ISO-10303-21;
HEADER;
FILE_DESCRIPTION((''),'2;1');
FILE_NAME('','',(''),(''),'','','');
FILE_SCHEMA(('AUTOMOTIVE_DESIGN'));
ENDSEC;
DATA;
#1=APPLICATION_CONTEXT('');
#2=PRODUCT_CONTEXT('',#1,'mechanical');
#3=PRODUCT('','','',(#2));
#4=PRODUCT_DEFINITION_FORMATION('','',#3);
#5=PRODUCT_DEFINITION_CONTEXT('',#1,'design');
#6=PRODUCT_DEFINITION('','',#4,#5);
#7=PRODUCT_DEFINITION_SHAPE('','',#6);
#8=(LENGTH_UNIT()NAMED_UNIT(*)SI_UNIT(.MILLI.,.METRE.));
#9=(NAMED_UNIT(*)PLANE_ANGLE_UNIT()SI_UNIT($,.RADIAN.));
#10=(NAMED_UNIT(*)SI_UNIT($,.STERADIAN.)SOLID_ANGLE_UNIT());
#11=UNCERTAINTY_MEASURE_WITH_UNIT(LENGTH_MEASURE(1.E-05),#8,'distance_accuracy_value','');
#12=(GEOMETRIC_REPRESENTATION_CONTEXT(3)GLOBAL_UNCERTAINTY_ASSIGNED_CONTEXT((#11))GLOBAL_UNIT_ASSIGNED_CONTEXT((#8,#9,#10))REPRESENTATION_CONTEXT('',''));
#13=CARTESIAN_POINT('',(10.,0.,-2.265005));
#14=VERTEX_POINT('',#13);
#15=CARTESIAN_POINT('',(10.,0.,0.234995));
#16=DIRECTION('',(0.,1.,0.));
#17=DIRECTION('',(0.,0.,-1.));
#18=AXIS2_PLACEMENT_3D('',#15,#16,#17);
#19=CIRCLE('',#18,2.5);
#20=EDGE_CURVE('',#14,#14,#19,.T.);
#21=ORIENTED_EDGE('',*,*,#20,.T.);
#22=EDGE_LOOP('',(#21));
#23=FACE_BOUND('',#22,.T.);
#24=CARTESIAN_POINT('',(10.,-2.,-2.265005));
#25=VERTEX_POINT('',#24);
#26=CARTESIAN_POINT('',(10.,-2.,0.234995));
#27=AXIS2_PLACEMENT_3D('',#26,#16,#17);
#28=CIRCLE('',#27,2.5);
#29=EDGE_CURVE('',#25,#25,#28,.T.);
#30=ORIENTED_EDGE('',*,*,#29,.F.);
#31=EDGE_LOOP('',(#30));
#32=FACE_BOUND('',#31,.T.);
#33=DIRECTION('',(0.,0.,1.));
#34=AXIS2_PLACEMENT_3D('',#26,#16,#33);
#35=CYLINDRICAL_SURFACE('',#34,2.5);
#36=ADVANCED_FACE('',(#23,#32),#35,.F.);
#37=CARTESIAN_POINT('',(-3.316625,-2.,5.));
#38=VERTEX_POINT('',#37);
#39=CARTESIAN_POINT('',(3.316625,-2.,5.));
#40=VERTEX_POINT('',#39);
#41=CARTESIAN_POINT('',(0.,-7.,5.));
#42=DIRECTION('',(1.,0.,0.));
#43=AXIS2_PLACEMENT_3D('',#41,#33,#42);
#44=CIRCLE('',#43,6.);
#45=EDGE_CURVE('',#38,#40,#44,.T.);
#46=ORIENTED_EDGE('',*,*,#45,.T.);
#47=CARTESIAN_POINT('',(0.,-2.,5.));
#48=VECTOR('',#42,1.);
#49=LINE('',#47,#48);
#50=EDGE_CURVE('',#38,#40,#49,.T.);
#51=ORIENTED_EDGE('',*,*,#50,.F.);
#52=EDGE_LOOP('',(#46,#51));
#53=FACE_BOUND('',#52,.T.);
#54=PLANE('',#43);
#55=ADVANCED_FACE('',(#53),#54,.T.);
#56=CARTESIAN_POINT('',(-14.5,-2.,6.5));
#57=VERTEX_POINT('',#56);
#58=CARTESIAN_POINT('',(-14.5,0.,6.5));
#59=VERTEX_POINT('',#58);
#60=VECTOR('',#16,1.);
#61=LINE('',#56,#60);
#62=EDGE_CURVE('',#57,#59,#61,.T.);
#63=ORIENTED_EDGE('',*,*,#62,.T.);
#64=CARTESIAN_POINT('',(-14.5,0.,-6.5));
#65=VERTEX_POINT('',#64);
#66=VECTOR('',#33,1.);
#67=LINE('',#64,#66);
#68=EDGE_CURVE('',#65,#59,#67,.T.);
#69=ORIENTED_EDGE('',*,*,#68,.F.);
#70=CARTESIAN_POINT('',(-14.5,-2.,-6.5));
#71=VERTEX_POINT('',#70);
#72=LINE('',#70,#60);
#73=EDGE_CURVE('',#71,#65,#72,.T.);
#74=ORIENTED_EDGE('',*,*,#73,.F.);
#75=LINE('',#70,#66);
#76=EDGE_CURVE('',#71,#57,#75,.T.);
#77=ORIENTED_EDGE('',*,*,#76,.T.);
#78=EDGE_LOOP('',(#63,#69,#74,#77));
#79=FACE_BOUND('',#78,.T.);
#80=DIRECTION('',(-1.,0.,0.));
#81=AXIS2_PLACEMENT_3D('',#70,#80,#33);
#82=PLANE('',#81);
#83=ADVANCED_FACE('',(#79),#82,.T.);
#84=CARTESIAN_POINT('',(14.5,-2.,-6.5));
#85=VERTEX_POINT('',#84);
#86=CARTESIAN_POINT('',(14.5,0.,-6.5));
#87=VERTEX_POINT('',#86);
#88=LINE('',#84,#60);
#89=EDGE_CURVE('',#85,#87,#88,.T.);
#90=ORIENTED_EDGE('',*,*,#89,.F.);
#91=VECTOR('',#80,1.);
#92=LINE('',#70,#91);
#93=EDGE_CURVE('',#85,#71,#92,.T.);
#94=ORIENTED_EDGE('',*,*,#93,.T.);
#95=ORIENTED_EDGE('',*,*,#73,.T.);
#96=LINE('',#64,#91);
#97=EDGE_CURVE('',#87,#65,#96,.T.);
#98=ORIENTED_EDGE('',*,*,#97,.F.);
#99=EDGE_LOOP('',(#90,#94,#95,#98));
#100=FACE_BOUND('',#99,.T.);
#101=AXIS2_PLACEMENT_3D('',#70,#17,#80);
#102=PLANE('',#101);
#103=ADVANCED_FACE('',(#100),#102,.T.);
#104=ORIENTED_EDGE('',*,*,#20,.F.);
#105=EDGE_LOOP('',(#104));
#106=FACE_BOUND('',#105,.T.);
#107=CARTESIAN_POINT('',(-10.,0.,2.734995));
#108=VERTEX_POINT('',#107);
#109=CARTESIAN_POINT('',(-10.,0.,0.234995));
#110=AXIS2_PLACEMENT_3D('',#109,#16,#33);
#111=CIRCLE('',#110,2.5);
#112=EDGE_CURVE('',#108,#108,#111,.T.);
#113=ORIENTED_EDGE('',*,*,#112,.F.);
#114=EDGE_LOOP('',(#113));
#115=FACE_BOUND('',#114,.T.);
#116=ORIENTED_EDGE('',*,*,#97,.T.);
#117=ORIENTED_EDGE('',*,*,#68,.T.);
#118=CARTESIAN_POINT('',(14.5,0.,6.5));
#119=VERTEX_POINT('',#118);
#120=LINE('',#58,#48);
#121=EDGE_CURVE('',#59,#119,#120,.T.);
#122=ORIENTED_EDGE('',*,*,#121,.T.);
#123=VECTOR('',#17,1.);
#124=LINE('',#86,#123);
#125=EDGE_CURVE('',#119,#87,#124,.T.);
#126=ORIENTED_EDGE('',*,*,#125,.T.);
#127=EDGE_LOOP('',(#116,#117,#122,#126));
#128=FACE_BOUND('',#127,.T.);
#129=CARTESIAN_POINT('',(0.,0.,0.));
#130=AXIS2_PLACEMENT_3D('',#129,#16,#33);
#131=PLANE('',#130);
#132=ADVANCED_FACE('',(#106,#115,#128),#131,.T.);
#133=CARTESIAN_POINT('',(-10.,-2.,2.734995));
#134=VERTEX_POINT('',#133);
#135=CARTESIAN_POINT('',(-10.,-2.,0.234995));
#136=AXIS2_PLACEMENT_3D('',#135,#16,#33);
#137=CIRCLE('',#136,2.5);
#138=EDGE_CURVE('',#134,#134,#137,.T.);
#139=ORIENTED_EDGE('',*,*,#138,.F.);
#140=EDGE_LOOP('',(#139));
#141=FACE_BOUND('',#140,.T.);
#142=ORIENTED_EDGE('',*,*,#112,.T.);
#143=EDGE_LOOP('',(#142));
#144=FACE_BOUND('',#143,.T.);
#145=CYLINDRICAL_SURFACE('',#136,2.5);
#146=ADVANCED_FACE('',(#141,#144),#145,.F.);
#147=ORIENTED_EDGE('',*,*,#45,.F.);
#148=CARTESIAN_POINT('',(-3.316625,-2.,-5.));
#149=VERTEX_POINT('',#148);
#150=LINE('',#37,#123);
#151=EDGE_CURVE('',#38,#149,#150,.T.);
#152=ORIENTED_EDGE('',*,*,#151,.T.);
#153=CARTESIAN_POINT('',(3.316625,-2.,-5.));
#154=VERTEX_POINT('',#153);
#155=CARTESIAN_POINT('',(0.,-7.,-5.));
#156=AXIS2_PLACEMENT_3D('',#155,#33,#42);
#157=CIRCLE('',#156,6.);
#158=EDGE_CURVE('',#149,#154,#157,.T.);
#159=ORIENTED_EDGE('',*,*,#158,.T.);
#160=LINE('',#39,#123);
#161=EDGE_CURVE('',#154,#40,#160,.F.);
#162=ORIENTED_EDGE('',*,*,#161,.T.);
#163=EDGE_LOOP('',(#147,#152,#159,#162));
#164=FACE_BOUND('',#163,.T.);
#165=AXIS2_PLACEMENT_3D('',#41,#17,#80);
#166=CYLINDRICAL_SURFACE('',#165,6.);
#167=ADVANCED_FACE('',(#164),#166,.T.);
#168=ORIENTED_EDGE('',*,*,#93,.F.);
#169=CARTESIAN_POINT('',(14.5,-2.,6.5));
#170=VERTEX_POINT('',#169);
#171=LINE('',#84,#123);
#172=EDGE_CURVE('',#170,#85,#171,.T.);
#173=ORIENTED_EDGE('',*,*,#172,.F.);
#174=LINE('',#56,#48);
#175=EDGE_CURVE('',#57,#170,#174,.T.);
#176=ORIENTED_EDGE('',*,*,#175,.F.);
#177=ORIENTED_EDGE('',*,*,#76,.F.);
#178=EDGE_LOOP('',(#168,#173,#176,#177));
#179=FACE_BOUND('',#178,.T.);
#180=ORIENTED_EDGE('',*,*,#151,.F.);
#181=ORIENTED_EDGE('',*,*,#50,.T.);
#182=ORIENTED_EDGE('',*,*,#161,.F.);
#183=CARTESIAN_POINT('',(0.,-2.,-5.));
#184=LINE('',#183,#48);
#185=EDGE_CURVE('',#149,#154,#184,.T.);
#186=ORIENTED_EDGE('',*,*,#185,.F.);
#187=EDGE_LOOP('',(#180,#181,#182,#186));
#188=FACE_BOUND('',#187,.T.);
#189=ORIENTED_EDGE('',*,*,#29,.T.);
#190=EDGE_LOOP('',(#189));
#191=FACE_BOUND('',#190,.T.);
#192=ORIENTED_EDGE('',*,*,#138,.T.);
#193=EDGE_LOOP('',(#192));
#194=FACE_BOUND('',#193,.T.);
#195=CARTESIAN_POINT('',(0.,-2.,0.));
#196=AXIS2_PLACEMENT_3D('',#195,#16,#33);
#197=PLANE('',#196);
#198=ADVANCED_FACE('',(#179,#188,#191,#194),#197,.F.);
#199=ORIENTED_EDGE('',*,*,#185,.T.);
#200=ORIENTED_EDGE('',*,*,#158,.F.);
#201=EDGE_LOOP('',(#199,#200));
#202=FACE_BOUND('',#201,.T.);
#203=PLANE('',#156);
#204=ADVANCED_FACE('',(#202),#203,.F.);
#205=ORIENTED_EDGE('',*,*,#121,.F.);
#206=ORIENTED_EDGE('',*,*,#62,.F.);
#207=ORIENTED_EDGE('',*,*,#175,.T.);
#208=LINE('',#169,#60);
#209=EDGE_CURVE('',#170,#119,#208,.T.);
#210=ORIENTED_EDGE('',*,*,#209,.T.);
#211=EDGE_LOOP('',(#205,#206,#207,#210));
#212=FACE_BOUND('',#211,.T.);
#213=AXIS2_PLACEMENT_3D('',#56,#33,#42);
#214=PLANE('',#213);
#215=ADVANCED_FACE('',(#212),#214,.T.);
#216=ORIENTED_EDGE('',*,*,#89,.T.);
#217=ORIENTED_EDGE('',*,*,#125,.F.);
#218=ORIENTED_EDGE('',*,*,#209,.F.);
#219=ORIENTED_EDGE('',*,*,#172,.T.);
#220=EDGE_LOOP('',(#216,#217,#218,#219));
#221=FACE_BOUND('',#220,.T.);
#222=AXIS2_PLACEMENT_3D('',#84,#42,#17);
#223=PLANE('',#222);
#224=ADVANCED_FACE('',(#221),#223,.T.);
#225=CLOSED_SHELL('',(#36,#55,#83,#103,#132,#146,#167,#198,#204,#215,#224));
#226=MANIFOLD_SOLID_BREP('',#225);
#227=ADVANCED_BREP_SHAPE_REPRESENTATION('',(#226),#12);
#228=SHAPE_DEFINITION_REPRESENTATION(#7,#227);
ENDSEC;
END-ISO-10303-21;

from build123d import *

# Parameters (mm, degrees)
SKETCH_1_W          = 29
SKETCH_1_H          = 13
EXTRUDE_1_DEPTH     = 2
SKETCH_2_R          = 2.5
CUT_EXTRUDE_1_DEPTH = 17.015617378
SKETCH_3_R          = 6
EXTRUDE_2_DEPTH     = 5


with BuildPart() as part:
    # 草图1 → 凸台-拉伸1 (new body)
    with BuildSketch(Plane(origin=(0, 0, 0), x_dir=(1, 0, 0), z_dir=(0, 1, 0))):
        Rectangle(SKETCH_1_W, SKETCH_1_H)
    extrude(amount=-EXTRUDE_1_DEPTH)

    # 草图2 → 切除-拉伸1 (cut, through all)
    with BuildSketch(Plane(origin=(0, 0, 0), x_dir=(1, 0, 0), z_dir=(0, 1, 0))):
        with Locations((-10, -0.234995389)):
            Circle(SKETCH_2_R)
        with Locations((10, -0.234995389)):
            Circle(SKETCH_2_R)
    extrude(amount=-CUT_EXTRUDE_1_DEPTH, mode=Mode.SUBTRACT)

    # 草图3 → 凸台-拉伸2 (add, symmetric)
    with BuildSketch(Plane.XY):
        with Locations((0, -7)):
            Circle(SKETCH_3_R)
    extrude(amount=EXTRUDE_2_DEPTH, both=True)


solid = part.part
